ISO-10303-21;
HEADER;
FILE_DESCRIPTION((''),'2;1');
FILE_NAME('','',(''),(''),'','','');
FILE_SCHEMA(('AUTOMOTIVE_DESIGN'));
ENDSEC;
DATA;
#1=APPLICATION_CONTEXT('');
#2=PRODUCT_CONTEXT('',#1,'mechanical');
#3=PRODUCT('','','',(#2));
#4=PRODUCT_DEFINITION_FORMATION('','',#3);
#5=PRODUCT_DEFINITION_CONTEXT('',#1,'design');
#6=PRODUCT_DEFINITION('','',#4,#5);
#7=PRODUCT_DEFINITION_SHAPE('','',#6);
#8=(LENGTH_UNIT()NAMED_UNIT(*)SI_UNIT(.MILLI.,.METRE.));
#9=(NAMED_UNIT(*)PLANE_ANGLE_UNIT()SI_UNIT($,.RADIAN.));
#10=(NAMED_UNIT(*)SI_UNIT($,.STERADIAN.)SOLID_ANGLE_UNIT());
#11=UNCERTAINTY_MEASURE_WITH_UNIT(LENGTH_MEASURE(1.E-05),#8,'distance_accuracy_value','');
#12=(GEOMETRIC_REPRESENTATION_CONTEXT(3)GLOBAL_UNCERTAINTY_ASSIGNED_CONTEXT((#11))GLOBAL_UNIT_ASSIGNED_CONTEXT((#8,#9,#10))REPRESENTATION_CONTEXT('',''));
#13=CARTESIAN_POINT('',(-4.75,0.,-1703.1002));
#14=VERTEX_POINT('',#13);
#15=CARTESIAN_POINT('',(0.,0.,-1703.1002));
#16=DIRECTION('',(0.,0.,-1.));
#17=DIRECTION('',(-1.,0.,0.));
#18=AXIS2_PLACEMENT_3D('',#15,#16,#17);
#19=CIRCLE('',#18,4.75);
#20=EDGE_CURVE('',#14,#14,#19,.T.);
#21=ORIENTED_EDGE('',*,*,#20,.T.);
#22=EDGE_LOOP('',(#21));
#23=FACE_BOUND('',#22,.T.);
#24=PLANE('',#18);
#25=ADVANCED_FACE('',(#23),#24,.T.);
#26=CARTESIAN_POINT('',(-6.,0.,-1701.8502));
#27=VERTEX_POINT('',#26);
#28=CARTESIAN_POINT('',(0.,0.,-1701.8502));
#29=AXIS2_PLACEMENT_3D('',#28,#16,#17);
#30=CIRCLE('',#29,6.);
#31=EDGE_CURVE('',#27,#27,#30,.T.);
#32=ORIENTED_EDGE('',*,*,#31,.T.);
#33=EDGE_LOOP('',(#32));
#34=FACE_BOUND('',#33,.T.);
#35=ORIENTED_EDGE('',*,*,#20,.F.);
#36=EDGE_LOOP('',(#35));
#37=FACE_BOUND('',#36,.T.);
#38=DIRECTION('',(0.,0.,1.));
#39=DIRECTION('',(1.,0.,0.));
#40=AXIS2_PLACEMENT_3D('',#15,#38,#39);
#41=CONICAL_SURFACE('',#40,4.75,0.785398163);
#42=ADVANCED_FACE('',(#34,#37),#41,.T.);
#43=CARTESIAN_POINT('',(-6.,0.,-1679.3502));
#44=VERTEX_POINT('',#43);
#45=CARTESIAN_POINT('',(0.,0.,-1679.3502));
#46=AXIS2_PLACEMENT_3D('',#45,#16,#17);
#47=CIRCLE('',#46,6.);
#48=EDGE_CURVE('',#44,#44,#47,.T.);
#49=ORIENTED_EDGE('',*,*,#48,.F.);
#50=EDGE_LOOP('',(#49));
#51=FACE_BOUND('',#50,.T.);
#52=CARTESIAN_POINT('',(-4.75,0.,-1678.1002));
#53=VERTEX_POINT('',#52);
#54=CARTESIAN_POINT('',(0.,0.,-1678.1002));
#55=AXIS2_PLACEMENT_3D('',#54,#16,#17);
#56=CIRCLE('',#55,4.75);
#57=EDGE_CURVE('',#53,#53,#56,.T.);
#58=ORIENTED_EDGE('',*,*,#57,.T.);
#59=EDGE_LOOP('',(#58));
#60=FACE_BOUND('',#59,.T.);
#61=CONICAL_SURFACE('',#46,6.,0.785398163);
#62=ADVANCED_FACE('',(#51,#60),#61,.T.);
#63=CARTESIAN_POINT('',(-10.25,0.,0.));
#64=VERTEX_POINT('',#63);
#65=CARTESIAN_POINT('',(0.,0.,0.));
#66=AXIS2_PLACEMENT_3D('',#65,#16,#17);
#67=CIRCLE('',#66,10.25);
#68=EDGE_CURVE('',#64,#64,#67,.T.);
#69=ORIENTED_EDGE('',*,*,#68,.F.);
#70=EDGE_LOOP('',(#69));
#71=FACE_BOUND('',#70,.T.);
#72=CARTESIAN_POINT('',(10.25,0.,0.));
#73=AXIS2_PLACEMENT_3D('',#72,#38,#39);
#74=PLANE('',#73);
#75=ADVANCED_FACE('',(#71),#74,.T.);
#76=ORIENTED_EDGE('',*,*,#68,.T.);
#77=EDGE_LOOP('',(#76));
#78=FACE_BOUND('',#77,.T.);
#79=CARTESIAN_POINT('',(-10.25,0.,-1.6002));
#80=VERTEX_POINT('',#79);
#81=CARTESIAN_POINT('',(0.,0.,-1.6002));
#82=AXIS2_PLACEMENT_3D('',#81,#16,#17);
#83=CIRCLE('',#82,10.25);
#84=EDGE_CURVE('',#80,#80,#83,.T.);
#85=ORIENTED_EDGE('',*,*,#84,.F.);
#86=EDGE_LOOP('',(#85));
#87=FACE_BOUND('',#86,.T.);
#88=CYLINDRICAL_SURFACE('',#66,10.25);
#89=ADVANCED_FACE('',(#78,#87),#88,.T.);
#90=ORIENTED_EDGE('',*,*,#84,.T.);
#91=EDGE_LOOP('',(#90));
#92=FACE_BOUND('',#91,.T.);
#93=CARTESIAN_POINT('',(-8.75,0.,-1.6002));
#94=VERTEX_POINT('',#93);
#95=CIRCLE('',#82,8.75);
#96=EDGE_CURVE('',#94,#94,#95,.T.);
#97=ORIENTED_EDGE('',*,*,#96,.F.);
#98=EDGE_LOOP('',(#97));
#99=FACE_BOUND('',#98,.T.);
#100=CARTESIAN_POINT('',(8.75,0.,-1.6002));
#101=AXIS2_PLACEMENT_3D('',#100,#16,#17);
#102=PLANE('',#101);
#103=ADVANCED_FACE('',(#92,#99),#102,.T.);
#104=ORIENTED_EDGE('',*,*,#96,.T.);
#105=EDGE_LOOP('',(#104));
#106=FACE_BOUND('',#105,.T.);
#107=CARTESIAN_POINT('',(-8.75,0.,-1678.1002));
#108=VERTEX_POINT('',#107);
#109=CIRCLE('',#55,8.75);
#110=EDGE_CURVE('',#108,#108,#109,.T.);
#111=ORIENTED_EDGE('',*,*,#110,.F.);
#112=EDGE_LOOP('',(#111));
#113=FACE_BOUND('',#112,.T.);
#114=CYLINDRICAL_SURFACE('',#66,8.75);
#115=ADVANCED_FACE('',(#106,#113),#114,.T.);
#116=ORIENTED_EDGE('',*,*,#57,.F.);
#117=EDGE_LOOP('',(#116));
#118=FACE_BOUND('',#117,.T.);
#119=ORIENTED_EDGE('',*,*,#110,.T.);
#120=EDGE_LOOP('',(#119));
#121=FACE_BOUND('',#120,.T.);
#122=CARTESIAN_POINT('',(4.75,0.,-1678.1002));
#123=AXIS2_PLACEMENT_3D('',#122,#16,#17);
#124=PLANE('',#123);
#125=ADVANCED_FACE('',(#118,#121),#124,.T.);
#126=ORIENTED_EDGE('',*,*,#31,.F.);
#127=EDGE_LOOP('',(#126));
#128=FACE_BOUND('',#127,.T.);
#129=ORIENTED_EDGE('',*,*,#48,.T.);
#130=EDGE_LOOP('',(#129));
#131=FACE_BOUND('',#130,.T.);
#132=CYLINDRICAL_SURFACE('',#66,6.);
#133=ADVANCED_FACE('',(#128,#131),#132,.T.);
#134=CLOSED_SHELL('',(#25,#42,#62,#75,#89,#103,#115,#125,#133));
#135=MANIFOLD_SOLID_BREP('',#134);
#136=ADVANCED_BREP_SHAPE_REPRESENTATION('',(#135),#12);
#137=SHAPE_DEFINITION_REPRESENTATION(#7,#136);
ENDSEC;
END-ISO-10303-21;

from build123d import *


with BuildPart() as part:
    # Esboço1 → Revolução1 (revolve)
    with BuildSketch(Plane.XZ):
        Polygon((10.25, 0), (0, 0), (0, -1703.1002), (4.75, -1703.1002), (6, -1701.8502), (6, -1679.3502), (4.75, -1678.1002), (8.75, -1678.1002), (8.75, -1.6002), (10.25, -1.6002), align=None)
    revolve(axis=Axis((0, 0, 0), (0, 0, -1)))


solid = part.part
